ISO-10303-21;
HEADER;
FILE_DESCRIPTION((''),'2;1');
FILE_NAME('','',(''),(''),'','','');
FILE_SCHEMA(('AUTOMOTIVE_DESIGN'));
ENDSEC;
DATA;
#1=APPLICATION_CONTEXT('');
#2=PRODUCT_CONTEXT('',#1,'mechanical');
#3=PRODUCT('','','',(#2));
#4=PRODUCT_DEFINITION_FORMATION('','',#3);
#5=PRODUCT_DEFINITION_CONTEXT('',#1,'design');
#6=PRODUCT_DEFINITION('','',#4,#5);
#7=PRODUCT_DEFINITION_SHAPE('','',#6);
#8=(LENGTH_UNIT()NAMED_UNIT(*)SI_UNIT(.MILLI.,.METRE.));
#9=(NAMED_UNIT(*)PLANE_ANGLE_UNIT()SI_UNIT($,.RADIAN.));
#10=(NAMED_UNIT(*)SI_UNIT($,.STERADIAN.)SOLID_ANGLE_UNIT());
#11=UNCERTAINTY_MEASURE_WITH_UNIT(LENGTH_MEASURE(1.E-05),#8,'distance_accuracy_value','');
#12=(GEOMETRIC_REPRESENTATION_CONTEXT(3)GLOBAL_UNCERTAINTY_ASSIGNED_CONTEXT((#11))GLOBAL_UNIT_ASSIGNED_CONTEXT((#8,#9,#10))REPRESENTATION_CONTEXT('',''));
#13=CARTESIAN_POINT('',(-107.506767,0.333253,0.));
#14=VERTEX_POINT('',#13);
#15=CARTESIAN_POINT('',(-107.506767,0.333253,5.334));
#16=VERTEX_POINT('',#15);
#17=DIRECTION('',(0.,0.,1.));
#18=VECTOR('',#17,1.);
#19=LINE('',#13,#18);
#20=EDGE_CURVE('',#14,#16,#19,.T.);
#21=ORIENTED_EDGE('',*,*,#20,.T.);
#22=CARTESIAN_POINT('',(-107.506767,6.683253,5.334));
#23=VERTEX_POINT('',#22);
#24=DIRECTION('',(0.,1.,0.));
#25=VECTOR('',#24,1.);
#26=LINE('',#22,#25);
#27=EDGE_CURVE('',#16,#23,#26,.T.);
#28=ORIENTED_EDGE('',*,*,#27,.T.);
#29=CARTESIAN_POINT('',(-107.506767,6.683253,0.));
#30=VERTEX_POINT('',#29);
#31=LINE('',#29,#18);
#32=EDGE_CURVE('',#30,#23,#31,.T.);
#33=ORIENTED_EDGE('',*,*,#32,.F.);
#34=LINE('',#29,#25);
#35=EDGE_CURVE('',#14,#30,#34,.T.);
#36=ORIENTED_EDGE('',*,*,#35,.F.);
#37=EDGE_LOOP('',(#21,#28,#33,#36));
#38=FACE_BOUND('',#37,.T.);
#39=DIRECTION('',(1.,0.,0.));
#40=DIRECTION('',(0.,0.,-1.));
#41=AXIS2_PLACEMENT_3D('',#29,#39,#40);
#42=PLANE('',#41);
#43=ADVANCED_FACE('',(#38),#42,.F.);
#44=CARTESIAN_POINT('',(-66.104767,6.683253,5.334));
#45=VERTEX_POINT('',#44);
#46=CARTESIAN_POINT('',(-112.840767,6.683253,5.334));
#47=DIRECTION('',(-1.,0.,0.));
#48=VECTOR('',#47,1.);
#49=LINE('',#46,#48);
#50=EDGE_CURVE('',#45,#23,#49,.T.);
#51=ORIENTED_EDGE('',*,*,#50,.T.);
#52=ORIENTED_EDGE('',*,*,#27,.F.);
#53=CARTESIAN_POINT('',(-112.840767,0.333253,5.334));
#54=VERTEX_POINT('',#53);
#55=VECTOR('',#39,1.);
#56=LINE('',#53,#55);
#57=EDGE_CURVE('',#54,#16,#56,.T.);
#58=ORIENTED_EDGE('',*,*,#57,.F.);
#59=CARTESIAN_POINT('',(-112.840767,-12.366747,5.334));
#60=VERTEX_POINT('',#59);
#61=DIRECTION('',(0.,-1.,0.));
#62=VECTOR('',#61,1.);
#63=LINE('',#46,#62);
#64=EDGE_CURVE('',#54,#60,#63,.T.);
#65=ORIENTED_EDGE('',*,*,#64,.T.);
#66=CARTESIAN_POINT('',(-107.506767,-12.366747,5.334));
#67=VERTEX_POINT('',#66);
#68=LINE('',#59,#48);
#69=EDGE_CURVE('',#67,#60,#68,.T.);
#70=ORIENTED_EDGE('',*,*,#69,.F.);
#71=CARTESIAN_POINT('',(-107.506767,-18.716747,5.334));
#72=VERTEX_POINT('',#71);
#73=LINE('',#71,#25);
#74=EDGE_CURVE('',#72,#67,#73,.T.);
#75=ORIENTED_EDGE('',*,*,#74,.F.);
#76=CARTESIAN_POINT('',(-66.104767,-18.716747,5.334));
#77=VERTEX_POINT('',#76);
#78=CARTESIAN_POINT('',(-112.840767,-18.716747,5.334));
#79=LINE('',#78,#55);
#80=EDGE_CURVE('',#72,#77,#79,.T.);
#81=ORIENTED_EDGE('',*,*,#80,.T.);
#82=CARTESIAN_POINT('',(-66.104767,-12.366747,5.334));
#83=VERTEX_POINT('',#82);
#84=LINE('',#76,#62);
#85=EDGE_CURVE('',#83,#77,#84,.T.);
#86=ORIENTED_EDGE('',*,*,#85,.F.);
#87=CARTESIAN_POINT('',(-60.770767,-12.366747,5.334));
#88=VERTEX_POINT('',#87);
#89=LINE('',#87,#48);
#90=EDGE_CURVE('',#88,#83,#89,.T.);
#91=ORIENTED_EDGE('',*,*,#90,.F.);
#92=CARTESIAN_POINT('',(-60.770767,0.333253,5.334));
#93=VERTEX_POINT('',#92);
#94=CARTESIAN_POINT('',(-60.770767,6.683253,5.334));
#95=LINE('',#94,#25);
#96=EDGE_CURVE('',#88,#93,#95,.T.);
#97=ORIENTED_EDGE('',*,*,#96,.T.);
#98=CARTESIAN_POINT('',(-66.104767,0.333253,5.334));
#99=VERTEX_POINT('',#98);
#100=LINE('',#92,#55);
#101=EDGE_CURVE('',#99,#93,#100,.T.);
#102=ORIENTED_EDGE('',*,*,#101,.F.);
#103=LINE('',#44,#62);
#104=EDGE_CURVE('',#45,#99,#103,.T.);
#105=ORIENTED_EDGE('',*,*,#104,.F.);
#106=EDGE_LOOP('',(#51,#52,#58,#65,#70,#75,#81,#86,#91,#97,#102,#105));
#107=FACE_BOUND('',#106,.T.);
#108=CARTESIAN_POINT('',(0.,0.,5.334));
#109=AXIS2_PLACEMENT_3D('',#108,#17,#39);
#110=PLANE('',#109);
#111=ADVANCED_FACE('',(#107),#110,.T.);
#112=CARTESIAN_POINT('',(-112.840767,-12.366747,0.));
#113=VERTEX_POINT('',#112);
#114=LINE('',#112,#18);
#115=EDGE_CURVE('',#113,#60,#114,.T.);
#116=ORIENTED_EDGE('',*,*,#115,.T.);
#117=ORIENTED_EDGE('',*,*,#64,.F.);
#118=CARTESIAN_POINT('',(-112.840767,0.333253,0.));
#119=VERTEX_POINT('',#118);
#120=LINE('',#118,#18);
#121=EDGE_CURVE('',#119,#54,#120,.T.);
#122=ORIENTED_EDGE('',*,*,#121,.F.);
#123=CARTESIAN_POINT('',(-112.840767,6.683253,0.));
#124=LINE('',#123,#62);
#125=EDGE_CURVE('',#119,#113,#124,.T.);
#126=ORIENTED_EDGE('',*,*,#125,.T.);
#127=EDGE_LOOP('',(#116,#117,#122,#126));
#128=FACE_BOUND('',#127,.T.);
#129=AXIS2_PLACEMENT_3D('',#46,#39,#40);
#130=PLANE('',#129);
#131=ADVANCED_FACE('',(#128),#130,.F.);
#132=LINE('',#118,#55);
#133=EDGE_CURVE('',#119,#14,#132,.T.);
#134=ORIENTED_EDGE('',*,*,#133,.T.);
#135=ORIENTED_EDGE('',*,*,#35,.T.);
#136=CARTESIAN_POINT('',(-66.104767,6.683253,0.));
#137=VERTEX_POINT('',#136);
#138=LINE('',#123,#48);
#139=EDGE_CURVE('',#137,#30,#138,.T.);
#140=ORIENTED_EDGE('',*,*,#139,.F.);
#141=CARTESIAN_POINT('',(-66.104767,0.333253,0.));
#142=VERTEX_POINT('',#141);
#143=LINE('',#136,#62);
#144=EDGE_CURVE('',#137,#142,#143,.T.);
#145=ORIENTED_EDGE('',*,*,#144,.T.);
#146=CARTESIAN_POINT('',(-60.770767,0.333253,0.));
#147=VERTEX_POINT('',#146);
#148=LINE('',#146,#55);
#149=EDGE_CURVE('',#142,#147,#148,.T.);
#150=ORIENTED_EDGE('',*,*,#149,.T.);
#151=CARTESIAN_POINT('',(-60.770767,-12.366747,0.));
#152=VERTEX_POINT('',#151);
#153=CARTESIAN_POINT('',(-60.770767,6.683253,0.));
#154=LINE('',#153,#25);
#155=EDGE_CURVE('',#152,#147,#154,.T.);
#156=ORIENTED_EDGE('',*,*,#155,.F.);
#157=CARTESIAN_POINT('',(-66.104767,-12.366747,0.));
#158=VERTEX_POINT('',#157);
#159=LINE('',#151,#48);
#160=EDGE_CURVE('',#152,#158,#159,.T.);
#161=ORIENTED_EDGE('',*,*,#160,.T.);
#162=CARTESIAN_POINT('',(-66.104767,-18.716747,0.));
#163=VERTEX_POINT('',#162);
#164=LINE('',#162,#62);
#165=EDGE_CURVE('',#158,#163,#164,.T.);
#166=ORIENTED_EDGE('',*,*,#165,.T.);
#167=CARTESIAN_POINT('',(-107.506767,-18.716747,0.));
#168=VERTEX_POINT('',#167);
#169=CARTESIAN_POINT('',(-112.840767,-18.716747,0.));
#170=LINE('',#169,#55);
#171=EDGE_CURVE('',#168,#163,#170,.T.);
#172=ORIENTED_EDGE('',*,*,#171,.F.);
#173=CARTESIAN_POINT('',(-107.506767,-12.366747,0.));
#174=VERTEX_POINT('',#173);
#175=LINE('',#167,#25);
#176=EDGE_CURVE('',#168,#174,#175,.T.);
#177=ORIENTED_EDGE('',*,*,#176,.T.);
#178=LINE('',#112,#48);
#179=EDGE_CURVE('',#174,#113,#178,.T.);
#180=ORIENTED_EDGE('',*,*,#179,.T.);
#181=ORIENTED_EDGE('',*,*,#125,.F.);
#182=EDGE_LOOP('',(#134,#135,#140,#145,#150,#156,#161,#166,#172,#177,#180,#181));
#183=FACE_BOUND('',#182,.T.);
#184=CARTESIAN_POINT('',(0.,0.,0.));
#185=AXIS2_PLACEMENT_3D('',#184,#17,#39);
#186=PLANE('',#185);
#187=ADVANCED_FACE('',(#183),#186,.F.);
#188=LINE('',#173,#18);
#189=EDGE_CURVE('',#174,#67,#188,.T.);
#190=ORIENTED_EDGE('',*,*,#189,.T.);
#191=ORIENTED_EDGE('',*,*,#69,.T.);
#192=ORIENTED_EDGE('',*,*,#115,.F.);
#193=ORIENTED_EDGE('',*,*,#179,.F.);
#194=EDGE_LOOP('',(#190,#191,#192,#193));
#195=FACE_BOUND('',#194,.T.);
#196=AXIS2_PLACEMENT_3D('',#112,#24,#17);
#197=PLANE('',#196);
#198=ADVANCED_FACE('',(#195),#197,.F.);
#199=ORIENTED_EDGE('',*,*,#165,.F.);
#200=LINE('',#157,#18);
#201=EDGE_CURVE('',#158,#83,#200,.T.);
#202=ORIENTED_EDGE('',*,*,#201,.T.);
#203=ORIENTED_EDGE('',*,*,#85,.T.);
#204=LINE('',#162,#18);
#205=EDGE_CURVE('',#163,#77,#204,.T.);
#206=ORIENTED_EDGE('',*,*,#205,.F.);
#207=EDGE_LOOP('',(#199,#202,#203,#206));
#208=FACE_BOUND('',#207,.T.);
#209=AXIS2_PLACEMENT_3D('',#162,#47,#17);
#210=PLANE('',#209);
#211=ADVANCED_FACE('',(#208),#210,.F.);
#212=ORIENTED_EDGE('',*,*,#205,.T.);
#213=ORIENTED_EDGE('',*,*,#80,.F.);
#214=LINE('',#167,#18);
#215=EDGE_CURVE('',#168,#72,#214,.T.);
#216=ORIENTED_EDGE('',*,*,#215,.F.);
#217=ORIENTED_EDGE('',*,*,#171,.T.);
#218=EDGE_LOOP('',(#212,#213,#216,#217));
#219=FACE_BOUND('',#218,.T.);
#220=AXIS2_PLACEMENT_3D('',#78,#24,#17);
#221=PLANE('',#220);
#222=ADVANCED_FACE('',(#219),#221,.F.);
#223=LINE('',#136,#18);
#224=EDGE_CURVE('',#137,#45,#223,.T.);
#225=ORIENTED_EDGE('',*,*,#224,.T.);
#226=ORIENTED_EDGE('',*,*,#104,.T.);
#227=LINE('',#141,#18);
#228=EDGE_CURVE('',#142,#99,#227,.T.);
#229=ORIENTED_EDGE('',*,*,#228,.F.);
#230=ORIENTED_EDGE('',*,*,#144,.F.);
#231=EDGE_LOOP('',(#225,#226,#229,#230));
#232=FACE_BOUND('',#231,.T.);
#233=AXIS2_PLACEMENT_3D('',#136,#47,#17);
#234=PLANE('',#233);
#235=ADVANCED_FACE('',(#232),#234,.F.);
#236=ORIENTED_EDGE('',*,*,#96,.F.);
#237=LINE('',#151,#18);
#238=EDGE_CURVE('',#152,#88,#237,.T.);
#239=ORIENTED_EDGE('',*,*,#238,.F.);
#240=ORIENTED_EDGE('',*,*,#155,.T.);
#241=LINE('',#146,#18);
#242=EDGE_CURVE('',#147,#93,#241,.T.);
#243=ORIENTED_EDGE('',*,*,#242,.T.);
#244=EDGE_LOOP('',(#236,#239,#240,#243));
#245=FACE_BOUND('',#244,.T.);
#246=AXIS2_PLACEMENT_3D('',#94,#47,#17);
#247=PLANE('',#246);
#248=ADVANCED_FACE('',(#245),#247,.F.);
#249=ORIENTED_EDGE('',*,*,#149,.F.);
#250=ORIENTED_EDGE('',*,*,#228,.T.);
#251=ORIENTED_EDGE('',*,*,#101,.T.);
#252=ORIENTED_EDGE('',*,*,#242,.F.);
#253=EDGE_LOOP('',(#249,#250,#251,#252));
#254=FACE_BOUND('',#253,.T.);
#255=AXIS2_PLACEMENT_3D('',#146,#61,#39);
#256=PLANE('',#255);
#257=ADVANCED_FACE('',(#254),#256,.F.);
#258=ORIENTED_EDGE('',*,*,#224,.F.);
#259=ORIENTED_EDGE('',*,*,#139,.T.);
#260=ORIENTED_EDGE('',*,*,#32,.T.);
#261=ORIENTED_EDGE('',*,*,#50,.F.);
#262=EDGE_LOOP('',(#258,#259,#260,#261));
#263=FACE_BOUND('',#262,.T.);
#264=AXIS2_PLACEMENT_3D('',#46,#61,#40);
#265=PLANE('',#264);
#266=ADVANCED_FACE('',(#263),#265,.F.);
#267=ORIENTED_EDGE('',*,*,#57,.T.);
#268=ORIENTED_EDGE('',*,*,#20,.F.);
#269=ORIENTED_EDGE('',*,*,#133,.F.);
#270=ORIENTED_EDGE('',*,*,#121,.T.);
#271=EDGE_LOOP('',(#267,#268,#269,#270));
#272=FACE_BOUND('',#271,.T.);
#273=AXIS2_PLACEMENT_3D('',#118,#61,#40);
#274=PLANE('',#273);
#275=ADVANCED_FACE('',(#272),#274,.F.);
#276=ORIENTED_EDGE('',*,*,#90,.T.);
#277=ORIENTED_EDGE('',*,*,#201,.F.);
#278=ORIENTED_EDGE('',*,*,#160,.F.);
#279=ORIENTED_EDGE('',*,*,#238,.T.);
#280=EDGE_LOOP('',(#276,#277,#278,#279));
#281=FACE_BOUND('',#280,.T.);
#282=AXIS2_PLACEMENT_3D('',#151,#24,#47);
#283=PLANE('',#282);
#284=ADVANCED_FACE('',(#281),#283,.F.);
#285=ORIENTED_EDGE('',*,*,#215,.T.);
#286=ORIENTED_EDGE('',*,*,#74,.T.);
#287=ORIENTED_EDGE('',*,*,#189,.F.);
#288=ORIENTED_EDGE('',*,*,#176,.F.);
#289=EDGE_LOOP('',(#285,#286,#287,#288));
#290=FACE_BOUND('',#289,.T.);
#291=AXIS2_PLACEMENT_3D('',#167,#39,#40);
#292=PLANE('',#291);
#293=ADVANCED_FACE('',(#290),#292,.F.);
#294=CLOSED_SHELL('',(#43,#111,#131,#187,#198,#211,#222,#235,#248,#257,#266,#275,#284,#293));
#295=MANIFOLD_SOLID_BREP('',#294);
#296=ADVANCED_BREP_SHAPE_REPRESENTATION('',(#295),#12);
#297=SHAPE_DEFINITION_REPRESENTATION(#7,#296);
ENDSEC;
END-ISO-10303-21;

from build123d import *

# Parameters (mm, degrees)
SKETCH1_W           = 52.07
SKETCH1_H           = 25.4
BOSS_EXTRUDE1_DEPTH = 5.334
SKETCH2_W           = 5.334
SKETCH2_H           = 6.35
CUT_EXTRUDE1_DEPTH  = 115.506797946


with BuildPart() as part:
    # Sketch1 → Boss-Extrude1 (new body)
    with BuildSketch(Plane.XY):
        with Locations((-86.805766511, -6.016747393)):
            Rectangle(SKETCH1_W, SKETCH1_H)
    extrude(amount=BOSS_EXTRUDE1_DEPTH)

    # Sketch2 → Cut-Extrude1 (cut, through all)
    with BuildSketch(Plane.XY.offset(5.334)):
        with Locations((-63.437766511, -15.541747393)):
            Rectangle(SKETCH2_W, SKETCH2_H)
        with Locations((-110.173766511, 3.508252607)):
            Rectangle(SKETCH2_W, SKETCH2_H)
        with Locations((-110.173766511, -15.541747393)):
            Rectangle(SKETCH2_W, SKETCH2_H)
        with Locations((-63.437766511, 3.508252607)):
            Rectangle(SKETCH2_W, SKETCH2_H)
    extrude(amount=-CUT_EXTRUDE1_DEPTH, mode=Mode.SUBTRACT)


solid = part.part
